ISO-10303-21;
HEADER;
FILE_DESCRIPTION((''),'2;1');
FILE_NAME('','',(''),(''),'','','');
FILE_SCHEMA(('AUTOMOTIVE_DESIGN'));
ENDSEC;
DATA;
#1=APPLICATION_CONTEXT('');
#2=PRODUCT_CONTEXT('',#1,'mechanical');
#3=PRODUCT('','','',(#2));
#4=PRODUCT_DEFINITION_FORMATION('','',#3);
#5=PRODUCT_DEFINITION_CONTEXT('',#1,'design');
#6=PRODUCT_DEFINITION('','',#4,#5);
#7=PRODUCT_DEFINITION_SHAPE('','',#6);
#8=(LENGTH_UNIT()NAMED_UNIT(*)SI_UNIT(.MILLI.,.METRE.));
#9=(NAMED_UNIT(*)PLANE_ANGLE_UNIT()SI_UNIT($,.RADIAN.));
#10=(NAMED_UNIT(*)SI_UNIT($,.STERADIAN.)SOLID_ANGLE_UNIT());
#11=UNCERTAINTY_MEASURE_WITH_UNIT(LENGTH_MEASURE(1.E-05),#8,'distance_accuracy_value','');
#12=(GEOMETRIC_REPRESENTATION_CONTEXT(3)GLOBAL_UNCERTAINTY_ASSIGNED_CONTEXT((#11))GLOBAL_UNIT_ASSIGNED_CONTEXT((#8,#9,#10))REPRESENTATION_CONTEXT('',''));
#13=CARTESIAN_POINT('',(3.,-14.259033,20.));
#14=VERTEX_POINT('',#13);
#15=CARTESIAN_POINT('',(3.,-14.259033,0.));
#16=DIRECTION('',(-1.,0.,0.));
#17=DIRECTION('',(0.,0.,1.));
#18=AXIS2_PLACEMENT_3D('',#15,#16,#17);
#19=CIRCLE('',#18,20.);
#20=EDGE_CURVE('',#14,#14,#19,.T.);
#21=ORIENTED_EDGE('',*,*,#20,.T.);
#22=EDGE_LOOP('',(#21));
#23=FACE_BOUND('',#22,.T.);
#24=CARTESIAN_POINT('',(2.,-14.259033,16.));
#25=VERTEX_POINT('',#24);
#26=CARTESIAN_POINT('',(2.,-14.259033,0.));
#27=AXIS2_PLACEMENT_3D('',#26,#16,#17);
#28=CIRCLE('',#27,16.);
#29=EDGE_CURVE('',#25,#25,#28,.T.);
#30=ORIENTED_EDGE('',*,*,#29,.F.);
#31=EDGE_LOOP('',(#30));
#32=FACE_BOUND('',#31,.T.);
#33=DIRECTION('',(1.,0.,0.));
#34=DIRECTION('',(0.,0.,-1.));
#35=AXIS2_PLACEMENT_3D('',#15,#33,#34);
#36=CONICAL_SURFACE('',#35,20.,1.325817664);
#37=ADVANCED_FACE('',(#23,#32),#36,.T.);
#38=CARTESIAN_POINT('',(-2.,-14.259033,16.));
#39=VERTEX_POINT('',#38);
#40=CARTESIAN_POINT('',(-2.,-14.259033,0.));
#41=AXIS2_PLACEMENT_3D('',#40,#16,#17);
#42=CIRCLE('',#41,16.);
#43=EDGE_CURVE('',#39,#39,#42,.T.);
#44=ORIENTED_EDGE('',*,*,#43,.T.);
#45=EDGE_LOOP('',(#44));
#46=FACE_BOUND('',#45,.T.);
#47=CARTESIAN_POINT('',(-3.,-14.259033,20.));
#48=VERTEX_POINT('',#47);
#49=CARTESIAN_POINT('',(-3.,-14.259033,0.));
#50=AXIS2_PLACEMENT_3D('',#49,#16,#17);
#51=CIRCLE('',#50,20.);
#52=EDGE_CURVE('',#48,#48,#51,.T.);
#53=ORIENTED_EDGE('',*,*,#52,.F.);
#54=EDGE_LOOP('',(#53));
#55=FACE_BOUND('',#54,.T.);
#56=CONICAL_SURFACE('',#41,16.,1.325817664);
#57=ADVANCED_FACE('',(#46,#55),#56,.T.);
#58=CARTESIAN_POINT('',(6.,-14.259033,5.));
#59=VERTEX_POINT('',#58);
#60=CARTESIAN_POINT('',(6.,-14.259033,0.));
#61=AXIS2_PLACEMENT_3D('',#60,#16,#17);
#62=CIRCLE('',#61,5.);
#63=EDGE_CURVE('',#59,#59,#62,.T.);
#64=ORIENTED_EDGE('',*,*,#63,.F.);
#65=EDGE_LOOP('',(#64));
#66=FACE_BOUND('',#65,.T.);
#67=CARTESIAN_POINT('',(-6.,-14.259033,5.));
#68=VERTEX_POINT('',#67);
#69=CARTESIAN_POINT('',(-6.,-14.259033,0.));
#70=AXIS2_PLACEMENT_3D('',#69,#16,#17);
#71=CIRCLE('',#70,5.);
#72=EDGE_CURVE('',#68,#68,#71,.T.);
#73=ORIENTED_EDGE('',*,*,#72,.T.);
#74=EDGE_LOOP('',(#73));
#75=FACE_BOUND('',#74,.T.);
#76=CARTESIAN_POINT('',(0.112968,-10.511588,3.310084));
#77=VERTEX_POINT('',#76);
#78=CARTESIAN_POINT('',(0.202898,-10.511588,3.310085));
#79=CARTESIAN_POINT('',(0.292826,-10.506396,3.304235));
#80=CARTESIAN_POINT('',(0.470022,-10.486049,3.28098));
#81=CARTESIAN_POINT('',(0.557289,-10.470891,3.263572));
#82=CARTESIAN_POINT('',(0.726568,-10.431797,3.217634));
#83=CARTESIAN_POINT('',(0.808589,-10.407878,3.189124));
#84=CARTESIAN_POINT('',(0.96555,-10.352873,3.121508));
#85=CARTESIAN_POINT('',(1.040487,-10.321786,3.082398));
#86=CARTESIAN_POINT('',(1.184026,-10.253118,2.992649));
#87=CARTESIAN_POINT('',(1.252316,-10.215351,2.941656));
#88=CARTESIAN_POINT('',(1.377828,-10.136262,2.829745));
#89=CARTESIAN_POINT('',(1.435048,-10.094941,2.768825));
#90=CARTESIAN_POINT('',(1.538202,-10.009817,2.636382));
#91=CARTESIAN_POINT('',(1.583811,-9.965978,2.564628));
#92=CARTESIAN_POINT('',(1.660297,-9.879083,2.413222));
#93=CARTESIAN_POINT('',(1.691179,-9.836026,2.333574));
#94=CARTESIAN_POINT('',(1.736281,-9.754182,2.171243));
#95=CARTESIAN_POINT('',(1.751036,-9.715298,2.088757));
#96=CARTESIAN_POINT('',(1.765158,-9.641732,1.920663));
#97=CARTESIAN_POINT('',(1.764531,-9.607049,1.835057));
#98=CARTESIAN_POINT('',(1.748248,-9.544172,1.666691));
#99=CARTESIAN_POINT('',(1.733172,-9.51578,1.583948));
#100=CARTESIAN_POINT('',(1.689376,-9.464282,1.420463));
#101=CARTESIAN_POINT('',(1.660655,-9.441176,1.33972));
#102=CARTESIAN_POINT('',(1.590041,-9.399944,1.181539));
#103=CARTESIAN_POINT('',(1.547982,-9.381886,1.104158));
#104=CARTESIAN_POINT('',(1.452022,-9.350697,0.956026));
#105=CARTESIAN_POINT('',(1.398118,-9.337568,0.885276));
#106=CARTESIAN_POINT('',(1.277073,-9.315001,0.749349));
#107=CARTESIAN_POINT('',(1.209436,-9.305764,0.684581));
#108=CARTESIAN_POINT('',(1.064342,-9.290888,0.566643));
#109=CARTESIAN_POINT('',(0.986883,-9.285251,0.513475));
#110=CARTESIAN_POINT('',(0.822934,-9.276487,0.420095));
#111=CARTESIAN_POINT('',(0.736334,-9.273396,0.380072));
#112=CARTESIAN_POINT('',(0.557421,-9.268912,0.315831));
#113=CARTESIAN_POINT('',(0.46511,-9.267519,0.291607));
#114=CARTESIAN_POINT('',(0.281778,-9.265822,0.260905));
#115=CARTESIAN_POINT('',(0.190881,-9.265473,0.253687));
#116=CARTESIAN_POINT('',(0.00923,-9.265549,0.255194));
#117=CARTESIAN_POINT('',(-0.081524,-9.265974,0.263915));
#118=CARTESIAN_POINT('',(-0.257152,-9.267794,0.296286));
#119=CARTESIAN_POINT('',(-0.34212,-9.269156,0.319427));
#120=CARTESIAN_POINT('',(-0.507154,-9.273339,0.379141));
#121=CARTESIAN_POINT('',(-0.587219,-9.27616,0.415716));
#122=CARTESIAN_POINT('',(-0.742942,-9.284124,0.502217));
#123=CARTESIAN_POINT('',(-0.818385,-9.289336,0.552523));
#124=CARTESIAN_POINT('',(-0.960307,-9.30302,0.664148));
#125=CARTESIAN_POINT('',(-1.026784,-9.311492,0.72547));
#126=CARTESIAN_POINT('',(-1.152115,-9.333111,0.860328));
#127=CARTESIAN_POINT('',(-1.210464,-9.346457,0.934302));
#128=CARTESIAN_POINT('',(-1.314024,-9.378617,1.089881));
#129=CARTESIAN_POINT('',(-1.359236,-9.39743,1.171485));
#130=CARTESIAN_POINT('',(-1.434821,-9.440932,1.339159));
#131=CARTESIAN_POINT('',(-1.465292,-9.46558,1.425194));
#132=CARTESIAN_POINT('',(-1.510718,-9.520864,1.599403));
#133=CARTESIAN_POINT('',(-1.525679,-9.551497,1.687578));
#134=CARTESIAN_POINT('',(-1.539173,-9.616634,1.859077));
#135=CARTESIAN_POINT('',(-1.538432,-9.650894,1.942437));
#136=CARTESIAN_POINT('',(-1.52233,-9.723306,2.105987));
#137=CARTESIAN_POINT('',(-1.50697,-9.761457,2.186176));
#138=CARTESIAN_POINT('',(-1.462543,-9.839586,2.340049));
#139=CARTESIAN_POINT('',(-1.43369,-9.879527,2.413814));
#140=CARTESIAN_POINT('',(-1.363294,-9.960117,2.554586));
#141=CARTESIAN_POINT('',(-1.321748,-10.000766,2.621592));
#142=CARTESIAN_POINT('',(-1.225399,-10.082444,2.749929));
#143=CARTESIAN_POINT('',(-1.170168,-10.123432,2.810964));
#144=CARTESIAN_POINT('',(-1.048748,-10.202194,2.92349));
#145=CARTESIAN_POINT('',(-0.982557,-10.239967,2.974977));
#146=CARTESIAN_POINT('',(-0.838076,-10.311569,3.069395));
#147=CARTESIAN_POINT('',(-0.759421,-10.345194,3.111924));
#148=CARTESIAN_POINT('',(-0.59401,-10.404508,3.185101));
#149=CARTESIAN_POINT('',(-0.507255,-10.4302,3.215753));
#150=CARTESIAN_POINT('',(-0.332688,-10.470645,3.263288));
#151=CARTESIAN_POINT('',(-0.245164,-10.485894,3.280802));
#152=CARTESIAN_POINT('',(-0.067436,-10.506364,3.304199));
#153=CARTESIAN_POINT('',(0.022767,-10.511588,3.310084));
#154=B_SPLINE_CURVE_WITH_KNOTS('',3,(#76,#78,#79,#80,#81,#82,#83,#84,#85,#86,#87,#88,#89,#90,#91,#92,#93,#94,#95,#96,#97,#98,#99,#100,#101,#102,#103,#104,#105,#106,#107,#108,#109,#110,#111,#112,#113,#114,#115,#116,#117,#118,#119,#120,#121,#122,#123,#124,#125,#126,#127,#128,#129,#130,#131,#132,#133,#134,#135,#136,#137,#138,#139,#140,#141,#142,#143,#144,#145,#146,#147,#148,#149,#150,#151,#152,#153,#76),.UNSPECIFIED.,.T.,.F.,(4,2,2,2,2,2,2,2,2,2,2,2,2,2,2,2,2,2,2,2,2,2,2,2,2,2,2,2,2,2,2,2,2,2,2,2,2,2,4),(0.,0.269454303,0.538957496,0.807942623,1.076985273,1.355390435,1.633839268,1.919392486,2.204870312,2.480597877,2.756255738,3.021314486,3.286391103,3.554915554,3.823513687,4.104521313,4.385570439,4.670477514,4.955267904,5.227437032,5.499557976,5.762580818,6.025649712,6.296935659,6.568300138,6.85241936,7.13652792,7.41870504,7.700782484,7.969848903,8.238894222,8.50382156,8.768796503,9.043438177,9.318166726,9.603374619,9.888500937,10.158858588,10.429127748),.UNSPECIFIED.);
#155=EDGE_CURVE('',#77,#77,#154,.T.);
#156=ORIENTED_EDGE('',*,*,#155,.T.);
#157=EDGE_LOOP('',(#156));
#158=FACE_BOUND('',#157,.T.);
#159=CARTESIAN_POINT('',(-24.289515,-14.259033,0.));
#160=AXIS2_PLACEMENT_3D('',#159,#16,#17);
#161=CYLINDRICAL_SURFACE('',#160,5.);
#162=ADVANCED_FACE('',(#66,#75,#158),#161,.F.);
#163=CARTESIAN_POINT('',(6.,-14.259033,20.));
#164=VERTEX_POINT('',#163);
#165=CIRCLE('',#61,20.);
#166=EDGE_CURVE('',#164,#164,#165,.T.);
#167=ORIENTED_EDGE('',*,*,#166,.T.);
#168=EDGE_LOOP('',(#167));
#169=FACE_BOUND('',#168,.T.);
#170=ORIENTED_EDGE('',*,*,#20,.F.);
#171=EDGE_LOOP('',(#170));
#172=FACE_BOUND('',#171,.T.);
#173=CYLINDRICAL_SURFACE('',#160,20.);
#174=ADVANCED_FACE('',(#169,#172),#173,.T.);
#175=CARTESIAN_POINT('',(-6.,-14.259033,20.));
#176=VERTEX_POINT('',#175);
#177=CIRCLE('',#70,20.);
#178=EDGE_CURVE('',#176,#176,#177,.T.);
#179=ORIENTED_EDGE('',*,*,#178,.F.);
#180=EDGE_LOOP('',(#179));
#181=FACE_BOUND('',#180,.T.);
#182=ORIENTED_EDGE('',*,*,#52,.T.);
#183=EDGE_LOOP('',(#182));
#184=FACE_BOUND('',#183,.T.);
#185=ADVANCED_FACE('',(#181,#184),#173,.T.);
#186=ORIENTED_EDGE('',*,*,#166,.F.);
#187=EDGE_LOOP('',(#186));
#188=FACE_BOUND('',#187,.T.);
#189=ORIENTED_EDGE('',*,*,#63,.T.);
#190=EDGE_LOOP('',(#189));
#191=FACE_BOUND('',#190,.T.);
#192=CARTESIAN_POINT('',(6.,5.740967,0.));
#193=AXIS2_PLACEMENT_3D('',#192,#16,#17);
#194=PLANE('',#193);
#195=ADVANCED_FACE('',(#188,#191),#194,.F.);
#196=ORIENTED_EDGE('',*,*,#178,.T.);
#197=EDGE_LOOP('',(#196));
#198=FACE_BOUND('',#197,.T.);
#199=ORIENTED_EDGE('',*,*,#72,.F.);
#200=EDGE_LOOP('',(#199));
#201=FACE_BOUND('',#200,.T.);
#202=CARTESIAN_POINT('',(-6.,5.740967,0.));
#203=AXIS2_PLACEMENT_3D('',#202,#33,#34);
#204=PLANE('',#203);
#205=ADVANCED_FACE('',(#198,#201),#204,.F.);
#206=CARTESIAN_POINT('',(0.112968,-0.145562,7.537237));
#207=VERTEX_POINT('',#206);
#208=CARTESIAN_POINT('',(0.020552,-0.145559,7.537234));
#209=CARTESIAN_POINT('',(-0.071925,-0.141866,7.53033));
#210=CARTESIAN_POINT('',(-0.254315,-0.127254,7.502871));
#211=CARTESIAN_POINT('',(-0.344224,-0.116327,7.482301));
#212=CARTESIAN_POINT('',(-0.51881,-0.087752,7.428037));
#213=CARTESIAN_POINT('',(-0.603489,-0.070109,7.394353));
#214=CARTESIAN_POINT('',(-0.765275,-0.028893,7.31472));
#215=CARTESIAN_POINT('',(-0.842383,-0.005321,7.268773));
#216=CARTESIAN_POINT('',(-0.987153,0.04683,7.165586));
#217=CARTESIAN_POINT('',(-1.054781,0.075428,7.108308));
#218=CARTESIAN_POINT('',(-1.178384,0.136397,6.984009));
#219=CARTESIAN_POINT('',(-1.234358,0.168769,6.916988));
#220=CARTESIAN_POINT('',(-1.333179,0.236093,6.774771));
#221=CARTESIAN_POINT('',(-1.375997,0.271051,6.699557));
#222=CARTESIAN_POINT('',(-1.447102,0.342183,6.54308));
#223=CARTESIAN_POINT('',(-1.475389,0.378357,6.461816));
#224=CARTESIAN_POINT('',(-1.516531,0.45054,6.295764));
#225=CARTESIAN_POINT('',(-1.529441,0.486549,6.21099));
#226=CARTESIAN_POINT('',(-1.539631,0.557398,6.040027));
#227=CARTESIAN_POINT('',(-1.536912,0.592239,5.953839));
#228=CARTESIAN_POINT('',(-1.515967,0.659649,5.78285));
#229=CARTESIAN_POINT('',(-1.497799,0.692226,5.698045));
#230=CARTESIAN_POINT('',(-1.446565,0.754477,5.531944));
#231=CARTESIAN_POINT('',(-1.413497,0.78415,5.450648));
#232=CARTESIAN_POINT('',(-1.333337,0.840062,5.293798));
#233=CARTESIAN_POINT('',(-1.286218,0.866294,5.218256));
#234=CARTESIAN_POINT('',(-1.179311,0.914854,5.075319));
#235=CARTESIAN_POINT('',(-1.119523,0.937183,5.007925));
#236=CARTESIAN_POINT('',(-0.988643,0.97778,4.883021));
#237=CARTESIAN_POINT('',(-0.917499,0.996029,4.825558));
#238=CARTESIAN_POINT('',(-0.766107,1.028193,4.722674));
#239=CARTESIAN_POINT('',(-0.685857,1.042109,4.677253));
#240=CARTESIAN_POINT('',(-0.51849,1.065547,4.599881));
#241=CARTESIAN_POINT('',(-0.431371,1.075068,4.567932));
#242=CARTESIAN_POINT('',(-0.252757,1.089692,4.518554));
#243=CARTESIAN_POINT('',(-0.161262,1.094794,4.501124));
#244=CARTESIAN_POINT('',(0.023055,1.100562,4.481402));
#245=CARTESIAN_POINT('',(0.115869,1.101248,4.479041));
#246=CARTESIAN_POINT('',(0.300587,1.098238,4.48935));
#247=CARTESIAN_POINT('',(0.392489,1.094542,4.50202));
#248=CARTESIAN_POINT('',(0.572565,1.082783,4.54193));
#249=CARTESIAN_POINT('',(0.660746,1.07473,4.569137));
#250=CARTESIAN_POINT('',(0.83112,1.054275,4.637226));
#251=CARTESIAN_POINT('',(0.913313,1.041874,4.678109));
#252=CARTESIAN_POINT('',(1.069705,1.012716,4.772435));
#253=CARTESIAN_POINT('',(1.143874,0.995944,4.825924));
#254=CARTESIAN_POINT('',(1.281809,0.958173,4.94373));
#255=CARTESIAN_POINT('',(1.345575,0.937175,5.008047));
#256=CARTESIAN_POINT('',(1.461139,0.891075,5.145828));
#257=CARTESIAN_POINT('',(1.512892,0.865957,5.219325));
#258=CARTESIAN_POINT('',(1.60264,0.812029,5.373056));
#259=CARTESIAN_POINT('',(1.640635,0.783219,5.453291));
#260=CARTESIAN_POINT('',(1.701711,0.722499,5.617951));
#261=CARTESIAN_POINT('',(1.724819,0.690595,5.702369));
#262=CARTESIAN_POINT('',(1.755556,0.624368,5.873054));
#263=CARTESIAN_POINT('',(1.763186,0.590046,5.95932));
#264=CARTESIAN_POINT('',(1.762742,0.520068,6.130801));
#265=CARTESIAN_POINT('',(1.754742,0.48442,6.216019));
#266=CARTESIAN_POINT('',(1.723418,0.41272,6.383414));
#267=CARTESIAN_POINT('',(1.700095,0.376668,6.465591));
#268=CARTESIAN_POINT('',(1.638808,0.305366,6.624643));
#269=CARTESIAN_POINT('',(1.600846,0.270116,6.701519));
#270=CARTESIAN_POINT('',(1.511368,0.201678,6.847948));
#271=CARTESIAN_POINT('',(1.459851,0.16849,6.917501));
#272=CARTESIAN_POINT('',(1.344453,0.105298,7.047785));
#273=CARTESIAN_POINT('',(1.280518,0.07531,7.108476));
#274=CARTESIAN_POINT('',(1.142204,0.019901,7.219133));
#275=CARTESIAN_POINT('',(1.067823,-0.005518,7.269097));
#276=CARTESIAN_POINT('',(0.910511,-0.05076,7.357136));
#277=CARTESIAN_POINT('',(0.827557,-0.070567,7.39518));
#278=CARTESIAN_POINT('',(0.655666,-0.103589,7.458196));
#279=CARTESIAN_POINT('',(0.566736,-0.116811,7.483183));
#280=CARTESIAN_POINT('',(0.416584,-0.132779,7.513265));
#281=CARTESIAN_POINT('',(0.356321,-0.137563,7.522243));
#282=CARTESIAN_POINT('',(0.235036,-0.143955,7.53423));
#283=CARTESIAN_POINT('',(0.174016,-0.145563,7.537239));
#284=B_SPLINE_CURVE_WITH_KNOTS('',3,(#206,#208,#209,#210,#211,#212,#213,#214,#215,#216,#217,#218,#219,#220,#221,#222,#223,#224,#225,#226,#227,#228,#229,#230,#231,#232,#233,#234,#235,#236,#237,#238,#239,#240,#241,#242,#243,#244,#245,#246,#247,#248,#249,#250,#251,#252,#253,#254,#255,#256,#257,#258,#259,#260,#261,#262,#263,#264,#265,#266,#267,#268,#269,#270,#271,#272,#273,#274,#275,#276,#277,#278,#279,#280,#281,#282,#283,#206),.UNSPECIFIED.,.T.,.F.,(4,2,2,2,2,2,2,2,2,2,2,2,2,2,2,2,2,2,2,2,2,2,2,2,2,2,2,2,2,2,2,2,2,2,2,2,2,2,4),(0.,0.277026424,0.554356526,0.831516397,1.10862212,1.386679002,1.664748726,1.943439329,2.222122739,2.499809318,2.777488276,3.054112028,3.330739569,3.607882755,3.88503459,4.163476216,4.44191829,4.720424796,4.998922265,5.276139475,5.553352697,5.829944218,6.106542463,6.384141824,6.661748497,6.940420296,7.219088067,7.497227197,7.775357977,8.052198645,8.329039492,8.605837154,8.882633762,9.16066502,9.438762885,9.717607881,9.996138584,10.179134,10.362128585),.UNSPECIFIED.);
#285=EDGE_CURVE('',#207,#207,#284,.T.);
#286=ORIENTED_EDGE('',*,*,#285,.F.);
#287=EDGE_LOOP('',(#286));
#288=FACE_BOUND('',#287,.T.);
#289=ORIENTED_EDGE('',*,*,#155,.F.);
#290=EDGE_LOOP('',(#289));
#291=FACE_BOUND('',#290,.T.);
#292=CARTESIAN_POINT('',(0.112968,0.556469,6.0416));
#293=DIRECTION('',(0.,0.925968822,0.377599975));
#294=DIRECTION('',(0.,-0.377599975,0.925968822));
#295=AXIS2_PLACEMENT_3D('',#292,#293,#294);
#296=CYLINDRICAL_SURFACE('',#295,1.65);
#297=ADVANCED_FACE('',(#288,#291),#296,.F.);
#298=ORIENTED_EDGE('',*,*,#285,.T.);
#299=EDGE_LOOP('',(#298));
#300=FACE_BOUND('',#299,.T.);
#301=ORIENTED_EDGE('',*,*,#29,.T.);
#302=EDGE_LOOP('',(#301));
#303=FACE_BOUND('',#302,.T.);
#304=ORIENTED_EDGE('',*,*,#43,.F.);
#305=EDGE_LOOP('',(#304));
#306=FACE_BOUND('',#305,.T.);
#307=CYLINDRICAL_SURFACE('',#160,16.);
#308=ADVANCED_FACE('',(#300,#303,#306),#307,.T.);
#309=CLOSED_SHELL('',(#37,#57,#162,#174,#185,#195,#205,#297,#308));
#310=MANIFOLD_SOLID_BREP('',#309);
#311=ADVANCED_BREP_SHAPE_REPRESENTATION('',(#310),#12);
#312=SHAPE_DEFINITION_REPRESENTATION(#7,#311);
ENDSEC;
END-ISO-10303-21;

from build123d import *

# Parameters (mm, degrees)
M4X0_7_TAPPED_HOLE1_D     = 3.3
M4X0_7_TAPPED_HOLE1_DEPTH = 12


with BuildPart() as part:
    # Sketch1 → Revolve1 (revolve)
    with BuildSketch(Plane.XY, mode=Mode.PRIVATE) as revolve1_sk:
        Polygon((-2, 1.740967464), (2, 1.740967464), (3, 5.740967464), (6, 5.740967464), (6, -9.259032536), (-6, -9.259032536), (-6, 5.740967464), (-3, 5.740967464), align=None)
    revolve(revolve1_sk.sketch.rotate(Axis((-24.289514567, -14.259032536, 0), (1, 0, 0)), 90), axis=Axis((-24.289514567, -14.259032536, 0), (1, 0, 0)))

    # M4x0.7 Tapped Hole1
    with Locations(Plane(origin=(0.112968309, 0.556468612, 6.041599599), x_dir=(0, -0.377599974944, 0.925968821787), z_dir=(0, 0.925968821787, 0.377599974944))):
        with Locations((0, 0)):
            Hole(M4X0_7_TAPPED_HOLE1_D / 2, depth=M4X0_7_TAPPED_HOLE1_DEPTH)


solid = part.part
